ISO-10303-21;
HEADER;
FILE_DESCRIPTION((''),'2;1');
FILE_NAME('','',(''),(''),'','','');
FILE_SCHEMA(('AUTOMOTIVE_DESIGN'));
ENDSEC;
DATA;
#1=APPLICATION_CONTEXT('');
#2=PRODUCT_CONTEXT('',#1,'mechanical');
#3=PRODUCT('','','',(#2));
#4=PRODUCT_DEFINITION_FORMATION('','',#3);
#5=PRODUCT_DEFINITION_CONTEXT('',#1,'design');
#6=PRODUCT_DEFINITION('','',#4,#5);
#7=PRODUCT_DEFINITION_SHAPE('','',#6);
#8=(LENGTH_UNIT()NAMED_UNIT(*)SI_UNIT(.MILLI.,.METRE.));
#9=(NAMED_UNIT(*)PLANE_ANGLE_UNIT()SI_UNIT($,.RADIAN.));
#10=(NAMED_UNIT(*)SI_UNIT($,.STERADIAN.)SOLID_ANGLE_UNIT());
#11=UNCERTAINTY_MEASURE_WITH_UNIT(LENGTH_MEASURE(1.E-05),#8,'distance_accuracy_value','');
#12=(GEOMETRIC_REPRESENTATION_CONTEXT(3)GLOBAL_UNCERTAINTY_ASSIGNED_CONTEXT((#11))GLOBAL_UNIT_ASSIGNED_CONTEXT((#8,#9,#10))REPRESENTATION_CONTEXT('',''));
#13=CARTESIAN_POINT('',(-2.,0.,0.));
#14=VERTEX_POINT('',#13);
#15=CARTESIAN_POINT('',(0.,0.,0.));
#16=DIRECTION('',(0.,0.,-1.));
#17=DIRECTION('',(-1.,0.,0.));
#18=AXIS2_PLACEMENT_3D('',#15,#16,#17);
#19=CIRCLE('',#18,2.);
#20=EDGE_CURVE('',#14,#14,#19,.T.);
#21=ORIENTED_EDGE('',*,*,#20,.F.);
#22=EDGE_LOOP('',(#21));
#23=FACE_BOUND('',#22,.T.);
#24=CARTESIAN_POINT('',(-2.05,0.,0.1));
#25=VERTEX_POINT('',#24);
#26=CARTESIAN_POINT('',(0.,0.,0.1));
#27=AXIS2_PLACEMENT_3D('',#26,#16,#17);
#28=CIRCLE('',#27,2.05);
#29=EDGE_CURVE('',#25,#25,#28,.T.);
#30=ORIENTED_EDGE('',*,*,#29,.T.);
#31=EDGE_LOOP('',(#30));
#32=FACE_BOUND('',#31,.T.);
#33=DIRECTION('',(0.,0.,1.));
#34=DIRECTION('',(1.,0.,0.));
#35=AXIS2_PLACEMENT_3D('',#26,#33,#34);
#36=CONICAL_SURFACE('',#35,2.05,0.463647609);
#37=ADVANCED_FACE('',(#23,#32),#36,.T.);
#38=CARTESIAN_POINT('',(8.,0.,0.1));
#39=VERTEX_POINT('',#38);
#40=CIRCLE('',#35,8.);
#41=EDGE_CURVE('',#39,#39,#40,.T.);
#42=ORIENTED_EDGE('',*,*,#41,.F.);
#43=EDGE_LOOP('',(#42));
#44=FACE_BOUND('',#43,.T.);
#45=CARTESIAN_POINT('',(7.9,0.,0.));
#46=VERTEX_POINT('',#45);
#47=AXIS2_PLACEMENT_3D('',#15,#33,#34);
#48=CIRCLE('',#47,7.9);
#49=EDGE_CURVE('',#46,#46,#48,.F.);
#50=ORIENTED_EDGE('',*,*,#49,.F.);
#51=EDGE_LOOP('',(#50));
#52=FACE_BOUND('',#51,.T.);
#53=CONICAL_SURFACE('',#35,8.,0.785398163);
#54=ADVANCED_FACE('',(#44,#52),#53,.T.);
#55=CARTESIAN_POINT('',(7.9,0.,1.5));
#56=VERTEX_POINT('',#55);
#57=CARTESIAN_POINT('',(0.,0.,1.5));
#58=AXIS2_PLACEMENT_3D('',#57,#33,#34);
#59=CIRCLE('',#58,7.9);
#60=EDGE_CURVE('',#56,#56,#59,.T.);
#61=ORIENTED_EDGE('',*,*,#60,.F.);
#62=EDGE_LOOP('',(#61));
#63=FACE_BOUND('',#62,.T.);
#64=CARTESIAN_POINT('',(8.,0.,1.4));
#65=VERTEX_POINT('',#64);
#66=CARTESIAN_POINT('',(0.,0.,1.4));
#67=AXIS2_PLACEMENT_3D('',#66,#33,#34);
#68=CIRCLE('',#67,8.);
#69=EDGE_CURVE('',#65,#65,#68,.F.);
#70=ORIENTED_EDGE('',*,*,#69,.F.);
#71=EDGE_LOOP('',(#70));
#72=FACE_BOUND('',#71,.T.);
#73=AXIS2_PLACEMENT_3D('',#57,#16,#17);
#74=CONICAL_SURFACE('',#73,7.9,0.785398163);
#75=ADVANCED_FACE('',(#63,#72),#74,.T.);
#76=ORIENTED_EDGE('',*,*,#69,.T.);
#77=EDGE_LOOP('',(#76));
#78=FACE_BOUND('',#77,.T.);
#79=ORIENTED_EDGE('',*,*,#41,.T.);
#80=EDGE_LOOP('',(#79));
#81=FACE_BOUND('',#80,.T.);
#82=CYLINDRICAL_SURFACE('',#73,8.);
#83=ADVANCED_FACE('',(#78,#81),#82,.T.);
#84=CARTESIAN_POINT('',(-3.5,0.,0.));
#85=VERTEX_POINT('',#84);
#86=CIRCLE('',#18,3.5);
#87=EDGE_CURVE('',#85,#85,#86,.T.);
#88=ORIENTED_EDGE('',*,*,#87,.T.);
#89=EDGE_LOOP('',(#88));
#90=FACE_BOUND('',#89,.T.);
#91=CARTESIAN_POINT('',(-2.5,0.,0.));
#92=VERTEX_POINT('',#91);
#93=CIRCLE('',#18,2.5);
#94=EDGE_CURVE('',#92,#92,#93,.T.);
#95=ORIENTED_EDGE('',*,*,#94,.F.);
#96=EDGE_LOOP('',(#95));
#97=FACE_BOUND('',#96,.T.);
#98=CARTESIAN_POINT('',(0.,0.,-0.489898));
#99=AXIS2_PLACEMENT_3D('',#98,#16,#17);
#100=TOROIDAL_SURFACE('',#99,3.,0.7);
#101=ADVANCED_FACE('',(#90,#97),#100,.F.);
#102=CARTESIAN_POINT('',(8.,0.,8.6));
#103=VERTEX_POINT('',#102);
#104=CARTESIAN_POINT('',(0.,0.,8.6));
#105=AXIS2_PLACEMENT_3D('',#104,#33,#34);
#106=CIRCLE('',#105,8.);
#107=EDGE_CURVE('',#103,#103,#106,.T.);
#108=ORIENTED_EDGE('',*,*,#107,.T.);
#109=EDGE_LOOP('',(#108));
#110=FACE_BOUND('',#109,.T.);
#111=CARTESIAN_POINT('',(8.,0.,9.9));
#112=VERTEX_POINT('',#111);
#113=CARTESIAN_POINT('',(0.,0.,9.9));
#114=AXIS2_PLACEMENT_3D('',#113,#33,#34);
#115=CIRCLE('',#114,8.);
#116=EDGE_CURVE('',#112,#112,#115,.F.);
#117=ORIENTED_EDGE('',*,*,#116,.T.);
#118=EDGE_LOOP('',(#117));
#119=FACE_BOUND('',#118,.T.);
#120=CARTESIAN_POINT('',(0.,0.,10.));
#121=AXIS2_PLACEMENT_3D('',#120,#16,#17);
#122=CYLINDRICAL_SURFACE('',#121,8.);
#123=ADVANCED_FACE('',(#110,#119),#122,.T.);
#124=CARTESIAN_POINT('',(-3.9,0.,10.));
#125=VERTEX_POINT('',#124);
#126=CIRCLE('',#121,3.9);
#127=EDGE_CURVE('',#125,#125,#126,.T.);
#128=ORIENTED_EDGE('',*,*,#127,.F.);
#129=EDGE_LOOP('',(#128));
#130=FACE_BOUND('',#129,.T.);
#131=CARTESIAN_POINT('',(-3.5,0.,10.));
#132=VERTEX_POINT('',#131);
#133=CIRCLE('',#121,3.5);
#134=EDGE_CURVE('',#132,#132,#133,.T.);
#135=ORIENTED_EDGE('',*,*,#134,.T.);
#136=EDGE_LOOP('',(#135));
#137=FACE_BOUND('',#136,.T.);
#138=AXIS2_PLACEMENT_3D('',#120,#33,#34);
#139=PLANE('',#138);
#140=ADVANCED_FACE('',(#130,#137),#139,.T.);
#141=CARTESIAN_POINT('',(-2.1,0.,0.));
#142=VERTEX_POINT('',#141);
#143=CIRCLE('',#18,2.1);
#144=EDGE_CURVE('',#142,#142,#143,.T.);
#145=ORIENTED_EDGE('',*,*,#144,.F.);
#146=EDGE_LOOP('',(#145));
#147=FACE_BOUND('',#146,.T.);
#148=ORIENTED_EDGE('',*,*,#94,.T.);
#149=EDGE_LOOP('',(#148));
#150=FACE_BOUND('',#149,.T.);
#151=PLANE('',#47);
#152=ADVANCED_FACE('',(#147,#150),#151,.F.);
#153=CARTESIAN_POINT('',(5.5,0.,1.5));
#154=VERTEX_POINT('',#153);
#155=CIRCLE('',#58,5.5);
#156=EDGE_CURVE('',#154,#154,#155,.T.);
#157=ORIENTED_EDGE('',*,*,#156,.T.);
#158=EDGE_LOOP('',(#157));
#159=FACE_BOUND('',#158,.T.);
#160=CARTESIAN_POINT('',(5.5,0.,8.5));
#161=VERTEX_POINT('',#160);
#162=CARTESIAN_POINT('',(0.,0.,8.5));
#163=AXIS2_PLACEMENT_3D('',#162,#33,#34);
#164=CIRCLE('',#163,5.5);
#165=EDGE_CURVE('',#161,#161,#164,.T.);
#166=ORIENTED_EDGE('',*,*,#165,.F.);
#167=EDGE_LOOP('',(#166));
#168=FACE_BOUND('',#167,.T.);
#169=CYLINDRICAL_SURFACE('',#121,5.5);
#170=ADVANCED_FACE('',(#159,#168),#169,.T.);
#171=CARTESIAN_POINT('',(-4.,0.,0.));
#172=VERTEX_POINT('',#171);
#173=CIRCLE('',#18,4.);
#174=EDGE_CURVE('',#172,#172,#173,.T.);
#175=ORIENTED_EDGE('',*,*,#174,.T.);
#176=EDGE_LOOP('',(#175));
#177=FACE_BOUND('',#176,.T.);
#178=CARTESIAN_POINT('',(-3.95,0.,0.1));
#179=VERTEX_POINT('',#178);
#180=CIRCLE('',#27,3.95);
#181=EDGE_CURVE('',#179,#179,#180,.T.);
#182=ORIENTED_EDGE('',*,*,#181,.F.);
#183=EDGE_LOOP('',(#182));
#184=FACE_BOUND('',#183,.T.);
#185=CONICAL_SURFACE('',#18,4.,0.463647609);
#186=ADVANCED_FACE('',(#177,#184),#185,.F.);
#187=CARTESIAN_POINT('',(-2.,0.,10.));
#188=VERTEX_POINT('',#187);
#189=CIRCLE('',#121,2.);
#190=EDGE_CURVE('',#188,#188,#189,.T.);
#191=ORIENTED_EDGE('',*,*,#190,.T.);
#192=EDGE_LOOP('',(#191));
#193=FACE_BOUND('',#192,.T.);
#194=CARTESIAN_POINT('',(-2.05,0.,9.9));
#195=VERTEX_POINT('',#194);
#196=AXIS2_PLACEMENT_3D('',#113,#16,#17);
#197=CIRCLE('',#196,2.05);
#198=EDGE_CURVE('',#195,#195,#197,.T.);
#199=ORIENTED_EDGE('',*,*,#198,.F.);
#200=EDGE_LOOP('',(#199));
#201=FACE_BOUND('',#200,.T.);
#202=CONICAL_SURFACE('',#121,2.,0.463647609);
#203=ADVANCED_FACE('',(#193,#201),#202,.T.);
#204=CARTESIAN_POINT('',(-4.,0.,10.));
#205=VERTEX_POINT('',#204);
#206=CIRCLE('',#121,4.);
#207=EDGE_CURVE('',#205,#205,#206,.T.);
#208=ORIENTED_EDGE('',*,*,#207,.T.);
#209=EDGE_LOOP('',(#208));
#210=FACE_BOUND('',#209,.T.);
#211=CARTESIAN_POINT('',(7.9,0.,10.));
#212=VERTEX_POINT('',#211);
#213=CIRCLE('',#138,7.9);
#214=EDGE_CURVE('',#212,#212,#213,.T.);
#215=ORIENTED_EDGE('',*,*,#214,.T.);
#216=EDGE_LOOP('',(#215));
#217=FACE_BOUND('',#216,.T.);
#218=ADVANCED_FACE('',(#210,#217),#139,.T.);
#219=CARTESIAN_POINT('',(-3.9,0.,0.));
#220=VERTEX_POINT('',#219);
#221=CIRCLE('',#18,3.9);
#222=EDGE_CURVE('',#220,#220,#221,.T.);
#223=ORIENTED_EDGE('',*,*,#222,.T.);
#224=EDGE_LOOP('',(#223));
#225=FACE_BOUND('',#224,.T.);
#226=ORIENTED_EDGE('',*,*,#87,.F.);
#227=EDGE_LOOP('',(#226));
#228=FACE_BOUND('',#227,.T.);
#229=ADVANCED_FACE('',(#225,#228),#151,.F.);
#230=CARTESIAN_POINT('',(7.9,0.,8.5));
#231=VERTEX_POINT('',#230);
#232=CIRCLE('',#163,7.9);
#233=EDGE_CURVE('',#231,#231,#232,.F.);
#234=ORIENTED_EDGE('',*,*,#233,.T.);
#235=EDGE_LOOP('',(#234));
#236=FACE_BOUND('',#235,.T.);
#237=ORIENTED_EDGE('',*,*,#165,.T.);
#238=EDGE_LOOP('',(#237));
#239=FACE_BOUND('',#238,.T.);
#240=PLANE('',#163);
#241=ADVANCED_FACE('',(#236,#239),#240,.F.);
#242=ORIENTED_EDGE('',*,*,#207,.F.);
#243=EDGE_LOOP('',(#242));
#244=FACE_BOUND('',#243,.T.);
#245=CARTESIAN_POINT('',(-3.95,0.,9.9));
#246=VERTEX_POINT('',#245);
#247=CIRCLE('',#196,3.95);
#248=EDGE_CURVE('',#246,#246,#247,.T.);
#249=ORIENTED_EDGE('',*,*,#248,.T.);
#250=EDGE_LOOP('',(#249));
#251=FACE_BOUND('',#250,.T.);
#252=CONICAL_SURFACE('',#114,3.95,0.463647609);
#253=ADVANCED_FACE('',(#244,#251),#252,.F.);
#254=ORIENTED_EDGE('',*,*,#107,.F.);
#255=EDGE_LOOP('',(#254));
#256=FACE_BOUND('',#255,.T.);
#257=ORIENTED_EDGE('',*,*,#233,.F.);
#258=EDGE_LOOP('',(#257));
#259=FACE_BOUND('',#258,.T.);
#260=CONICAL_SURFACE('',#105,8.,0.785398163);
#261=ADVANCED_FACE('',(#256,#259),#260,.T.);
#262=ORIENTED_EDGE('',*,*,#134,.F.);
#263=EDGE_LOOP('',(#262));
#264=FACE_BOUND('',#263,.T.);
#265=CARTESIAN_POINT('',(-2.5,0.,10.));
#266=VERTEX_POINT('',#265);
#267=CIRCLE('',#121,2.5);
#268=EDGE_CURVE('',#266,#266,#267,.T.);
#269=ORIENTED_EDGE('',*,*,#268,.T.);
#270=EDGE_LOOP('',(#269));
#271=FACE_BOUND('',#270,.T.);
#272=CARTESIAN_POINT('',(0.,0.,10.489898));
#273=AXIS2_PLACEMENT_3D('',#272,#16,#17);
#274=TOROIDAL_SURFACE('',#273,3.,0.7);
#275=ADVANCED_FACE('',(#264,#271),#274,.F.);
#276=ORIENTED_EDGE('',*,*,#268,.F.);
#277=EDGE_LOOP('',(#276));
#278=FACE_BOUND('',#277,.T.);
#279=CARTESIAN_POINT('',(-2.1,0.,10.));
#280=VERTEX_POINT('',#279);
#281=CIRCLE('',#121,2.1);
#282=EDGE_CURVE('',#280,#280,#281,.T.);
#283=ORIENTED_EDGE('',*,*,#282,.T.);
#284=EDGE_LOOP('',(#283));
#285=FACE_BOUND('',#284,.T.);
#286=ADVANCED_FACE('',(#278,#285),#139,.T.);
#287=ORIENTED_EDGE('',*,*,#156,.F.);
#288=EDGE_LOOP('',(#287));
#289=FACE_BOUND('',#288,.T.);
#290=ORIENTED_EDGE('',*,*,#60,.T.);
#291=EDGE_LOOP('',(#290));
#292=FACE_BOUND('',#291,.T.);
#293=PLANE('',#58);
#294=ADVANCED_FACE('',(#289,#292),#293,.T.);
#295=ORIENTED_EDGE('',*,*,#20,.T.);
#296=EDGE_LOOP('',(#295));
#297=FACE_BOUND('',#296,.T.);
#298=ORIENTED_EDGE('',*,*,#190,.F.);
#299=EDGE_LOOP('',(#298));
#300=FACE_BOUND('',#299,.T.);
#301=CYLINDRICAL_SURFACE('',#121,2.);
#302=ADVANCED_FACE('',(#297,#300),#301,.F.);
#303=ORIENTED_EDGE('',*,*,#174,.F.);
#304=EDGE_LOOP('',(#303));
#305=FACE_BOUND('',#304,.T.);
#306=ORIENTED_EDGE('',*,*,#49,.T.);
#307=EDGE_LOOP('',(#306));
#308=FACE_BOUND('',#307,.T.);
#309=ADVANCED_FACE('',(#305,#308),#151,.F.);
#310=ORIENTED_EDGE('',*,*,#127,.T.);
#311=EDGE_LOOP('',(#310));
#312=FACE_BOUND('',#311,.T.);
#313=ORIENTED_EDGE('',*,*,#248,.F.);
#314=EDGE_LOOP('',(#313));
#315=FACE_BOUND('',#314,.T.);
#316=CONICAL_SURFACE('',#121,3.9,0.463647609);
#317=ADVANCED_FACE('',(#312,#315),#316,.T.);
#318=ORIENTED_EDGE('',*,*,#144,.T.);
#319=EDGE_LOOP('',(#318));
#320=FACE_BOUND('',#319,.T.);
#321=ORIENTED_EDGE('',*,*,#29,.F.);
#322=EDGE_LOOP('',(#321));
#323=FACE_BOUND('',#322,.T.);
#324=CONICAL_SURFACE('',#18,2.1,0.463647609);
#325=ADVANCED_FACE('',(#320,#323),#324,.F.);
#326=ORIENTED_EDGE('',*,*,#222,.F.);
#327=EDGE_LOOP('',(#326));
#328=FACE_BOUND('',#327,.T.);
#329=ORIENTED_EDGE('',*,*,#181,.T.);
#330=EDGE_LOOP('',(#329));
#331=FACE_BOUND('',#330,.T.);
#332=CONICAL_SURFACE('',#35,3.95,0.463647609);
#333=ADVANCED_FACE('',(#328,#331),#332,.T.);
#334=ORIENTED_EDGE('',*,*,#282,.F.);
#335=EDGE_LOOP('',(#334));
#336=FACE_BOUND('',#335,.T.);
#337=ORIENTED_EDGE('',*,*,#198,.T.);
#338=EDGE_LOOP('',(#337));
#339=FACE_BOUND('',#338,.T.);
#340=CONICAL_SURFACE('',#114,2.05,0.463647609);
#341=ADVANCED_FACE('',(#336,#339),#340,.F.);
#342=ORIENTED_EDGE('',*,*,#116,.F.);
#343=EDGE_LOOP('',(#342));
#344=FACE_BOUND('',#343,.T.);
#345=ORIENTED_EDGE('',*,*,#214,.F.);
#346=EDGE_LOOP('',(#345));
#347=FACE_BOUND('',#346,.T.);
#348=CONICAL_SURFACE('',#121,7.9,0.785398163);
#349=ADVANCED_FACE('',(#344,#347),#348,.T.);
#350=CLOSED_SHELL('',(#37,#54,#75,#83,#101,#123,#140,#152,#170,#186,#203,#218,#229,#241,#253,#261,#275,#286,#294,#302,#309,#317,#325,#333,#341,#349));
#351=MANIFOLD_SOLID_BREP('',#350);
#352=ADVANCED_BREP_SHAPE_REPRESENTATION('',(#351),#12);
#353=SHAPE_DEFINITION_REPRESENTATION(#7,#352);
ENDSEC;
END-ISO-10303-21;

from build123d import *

# Parameters (mm, degrees)
CROQUIS1_R              = 5.5
CROQUIS1_R_2            = 2
SALIENTE_EXTRUIR1_DEPTH = 10
CROQUIS2_R              = 8
CROQUIS2_R_2            = 2
SALIENTE_EXTRUIR3_DEPTH = 1.5
SALIENTE_EXTRUIR5_START = 8.5
CROQUIS2_3_R            = 8
CROQUIS2_3_R_2          = 2
SALIENTE_EXTRUIR5_DEPTH = 1.5
CHAFL_N1_SIZE           = 0.1


with BuildPart() as part:
    # Croquis1 → Saliente-Extruir1 (new body)
    with BuildSketch(Plane.XY):
        Circle(CROQUIS1_R)
        Circle(CROQUIS1_R_2, mode=Mode.SUBTRACT)
    extrude(amount=SALIENTE_EXTRUIR1_DEPTH)

    # Croquis2 → Saliente-Extruir3 (add)
    with BuildSketch(Plane.XY):
        Circle(CROQUIS2_R)
        Circle(CROQUIS2_R_2, mode=Mode.SUBTRACT)
    extrude(amount=SALIENTE_EXTRUIR3_DEPTH)

    # Croquis2<3> → Saliente-Extruir5 (add)
    with BuildSketch(Plane.XY.offset(SALIENTE_EXTRUIR5_START)):
        Circle(CROQUIS2_3_R)
        Circle(CROQUIS2_3_R_2, mode=Mode.SUBTRACT)
    extrude(amount=SALIENTE_EXTRUIR5_DEPTH)

    # Chaflán1
    chafl_n1_edges = [part.edges().sort_by_distance(p)[0] for p in [
        (-8, 0, 1.5),
        (-8, 0, 0),
        (-8, 0, 10),
        (-8, 0, 8.5),
    ]]
    chamfer(chafl_n1_edges, length=CHAFL_N1_SIZE)

    # Croquis3 → Cortar-Revolución1 (revolve, cut)
    with BuildSketch(Plane(origin=(0, 0, 0), x_dir=(1, 0, 0), z_dir=(0, 1, 0))):
        with BuildLine():
            Line((-2, 0), (-2.05, -0.1))
            Line((-2.05, -0.1), (-2.1, 0))
            Line((-2.1, 0), (-2.5, 0))
            ThreePointArc((-2.5, 0), (-3, -0.210102051), (-3.5, 0))
            Line((-3.5, 0), (-3.9, 0))
            Line((-3.9, 0), (-3.95, -0.1))
            Line((-3.95, -0.1), (-4, 0))
            Line((-4, 0), (-4, 0.1))
            Line((-4, 0.1), (-2, 0.1))
            Line((-2, 0.1), (-2, 0))
        make_face()
        with BuildLine():
            Line((-2, -10.1), (-2, -10))
            Line((-2, -10), (-2.05, -9.9))
            Line((-2.05, -9.9), (-2.1, -10))
            Line((-2.1, -10), (-2.5, -10))
            ThreePointArc((-2.5, -10), (-3, -9.789897949), (-3.5, -10))
            Line((-3.5, -10), (-3.9, -10))
            Line((-3.9, -10), (-3.95, -9.9))
            Line((-3.95, -9.9), (-4, -10))
            Line((-4, -10), (-4, -10.1))
            Line((-4, -10.1), (-2, -10.1))
        make_face()
    revolve(axis=Axis((0, 0, 0), (0, 0, 1)), mode=Mode.SUBTRACT)


solid = part.part
